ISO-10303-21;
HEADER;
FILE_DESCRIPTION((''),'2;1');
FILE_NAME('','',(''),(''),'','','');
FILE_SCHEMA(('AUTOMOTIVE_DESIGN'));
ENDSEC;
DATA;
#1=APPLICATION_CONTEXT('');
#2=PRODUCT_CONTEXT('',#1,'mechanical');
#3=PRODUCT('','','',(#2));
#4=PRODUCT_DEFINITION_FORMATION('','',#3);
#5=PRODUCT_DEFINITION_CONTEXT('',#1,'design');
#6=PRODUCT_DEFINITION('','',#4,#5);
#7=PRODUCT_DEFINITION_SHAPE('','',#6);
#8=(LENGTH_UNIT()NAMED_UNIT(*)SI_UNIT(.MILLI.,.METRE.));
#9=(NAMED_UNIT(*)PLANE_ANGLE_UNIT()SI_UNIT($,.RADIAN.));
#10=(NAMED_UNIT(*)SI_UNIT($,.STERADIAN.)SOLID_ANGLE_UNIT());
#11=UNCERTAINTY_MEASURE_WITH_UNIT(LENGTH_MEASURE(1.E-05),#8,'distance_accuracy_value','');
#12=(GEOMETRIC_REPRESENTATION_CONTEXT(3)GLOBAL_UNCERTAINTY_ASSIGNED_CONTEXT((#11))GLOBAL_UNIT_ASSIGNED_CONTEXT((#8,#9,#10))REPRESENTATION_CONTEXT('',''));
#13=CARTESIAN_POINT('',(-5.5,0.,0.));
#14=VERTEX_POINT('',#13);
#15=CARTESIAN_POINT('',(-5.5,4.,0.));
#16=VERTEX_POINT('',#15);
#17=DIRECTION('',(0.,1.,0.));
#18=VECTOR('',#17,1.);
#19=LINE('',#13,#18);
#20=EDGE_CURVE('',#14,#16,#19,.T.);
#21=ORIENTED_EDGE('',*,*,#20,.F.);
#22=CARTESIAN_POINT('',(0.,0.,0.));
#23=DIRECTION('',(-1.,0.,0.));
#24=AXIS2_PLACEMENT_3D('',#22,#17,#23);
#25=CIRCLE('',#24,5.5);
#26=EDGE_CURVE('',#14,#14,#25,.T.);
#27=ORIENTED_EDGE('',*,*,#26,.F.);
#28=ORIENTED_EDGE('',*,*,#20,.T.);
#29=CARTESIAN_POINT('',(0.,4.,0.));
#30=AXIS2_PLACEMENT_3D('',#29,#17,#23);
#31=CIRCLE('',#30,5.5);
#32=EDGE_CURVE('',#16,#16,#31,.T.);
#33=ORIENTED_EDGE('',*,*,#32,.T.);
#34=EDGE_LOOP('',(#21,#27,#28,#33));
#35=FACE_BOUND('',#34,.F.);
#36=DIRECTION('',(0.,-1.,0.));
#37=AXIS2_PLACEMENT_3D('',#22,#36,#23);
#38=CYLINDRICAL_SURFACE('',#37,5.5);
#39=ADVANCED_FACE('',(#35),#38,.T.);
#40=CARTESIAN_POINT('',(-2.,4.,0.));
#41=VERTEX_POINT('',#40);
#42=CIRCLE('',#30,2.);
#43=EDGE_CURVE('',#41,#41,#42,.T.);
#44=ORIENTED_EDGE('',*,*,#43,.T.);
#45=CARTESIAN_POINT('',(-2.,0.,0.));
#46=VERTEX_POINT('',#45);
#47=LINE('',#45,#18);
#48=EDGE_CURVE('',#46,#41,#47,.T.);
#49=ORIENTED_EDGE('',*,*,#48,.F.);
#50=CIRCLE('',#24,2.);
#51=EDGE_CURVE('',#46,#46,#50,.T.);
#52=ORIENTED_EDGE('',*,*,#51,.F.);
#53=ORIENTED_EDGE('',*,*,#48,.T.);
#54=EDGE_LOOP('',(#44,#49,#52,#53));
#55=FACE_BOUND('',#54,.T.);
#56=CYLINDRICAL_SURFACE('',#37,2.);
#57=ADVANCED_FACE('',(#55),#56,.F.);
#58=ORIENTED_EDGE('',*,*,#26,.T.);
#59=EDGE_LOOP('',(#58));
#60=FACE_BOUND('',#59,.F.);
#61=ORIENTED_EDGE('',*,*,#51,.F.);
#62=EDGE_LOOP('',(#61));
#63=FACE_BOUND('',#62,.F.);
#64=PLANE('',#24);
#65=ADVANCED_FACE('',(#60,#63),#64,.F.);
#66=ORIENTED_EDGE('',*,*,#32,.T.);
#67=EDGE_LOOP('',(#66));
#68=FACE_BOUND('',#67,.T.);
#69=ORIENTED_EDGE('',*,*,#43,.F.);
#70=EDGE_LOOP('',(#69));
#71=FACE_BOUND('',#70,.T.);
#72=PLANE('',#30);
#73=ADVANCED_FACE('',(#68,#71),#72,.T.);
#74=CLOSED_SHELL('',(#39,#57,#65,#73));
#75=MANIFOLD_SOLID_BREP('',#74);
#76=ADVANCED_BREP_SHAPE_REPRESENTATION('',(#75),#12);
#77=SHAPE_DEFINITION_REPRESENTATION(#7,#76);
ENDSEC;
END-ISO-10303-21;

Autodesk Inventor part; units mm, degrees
ref_plane "YZ Plane" through (0, 0, 0) normal (1, 0, 0) x (0, 1, 0)
ref_plane "XZ Plane" through (0, 0, 0) normal (0, 1, 0) x (-1, 0, 0)
ref_plane "XY Plane" through (0, 0, 0) normal (0, 0, 1) x (1, 0, 0)
sketch "Sketch1" plane through (0, 0, 0) normal (0, 1, 0) x (-1, 0, 0)
  circle A0 centre (0, 0) radius 2
  circle A1 centre (0, 0) radius 5.5
  dimension "d0" = 4
  dimension "d1" = 11
extrude "Extrusion1" add sketch "Sketch1" along normal blind 4
properties part number "BEARING" material "Stainless Steel"
